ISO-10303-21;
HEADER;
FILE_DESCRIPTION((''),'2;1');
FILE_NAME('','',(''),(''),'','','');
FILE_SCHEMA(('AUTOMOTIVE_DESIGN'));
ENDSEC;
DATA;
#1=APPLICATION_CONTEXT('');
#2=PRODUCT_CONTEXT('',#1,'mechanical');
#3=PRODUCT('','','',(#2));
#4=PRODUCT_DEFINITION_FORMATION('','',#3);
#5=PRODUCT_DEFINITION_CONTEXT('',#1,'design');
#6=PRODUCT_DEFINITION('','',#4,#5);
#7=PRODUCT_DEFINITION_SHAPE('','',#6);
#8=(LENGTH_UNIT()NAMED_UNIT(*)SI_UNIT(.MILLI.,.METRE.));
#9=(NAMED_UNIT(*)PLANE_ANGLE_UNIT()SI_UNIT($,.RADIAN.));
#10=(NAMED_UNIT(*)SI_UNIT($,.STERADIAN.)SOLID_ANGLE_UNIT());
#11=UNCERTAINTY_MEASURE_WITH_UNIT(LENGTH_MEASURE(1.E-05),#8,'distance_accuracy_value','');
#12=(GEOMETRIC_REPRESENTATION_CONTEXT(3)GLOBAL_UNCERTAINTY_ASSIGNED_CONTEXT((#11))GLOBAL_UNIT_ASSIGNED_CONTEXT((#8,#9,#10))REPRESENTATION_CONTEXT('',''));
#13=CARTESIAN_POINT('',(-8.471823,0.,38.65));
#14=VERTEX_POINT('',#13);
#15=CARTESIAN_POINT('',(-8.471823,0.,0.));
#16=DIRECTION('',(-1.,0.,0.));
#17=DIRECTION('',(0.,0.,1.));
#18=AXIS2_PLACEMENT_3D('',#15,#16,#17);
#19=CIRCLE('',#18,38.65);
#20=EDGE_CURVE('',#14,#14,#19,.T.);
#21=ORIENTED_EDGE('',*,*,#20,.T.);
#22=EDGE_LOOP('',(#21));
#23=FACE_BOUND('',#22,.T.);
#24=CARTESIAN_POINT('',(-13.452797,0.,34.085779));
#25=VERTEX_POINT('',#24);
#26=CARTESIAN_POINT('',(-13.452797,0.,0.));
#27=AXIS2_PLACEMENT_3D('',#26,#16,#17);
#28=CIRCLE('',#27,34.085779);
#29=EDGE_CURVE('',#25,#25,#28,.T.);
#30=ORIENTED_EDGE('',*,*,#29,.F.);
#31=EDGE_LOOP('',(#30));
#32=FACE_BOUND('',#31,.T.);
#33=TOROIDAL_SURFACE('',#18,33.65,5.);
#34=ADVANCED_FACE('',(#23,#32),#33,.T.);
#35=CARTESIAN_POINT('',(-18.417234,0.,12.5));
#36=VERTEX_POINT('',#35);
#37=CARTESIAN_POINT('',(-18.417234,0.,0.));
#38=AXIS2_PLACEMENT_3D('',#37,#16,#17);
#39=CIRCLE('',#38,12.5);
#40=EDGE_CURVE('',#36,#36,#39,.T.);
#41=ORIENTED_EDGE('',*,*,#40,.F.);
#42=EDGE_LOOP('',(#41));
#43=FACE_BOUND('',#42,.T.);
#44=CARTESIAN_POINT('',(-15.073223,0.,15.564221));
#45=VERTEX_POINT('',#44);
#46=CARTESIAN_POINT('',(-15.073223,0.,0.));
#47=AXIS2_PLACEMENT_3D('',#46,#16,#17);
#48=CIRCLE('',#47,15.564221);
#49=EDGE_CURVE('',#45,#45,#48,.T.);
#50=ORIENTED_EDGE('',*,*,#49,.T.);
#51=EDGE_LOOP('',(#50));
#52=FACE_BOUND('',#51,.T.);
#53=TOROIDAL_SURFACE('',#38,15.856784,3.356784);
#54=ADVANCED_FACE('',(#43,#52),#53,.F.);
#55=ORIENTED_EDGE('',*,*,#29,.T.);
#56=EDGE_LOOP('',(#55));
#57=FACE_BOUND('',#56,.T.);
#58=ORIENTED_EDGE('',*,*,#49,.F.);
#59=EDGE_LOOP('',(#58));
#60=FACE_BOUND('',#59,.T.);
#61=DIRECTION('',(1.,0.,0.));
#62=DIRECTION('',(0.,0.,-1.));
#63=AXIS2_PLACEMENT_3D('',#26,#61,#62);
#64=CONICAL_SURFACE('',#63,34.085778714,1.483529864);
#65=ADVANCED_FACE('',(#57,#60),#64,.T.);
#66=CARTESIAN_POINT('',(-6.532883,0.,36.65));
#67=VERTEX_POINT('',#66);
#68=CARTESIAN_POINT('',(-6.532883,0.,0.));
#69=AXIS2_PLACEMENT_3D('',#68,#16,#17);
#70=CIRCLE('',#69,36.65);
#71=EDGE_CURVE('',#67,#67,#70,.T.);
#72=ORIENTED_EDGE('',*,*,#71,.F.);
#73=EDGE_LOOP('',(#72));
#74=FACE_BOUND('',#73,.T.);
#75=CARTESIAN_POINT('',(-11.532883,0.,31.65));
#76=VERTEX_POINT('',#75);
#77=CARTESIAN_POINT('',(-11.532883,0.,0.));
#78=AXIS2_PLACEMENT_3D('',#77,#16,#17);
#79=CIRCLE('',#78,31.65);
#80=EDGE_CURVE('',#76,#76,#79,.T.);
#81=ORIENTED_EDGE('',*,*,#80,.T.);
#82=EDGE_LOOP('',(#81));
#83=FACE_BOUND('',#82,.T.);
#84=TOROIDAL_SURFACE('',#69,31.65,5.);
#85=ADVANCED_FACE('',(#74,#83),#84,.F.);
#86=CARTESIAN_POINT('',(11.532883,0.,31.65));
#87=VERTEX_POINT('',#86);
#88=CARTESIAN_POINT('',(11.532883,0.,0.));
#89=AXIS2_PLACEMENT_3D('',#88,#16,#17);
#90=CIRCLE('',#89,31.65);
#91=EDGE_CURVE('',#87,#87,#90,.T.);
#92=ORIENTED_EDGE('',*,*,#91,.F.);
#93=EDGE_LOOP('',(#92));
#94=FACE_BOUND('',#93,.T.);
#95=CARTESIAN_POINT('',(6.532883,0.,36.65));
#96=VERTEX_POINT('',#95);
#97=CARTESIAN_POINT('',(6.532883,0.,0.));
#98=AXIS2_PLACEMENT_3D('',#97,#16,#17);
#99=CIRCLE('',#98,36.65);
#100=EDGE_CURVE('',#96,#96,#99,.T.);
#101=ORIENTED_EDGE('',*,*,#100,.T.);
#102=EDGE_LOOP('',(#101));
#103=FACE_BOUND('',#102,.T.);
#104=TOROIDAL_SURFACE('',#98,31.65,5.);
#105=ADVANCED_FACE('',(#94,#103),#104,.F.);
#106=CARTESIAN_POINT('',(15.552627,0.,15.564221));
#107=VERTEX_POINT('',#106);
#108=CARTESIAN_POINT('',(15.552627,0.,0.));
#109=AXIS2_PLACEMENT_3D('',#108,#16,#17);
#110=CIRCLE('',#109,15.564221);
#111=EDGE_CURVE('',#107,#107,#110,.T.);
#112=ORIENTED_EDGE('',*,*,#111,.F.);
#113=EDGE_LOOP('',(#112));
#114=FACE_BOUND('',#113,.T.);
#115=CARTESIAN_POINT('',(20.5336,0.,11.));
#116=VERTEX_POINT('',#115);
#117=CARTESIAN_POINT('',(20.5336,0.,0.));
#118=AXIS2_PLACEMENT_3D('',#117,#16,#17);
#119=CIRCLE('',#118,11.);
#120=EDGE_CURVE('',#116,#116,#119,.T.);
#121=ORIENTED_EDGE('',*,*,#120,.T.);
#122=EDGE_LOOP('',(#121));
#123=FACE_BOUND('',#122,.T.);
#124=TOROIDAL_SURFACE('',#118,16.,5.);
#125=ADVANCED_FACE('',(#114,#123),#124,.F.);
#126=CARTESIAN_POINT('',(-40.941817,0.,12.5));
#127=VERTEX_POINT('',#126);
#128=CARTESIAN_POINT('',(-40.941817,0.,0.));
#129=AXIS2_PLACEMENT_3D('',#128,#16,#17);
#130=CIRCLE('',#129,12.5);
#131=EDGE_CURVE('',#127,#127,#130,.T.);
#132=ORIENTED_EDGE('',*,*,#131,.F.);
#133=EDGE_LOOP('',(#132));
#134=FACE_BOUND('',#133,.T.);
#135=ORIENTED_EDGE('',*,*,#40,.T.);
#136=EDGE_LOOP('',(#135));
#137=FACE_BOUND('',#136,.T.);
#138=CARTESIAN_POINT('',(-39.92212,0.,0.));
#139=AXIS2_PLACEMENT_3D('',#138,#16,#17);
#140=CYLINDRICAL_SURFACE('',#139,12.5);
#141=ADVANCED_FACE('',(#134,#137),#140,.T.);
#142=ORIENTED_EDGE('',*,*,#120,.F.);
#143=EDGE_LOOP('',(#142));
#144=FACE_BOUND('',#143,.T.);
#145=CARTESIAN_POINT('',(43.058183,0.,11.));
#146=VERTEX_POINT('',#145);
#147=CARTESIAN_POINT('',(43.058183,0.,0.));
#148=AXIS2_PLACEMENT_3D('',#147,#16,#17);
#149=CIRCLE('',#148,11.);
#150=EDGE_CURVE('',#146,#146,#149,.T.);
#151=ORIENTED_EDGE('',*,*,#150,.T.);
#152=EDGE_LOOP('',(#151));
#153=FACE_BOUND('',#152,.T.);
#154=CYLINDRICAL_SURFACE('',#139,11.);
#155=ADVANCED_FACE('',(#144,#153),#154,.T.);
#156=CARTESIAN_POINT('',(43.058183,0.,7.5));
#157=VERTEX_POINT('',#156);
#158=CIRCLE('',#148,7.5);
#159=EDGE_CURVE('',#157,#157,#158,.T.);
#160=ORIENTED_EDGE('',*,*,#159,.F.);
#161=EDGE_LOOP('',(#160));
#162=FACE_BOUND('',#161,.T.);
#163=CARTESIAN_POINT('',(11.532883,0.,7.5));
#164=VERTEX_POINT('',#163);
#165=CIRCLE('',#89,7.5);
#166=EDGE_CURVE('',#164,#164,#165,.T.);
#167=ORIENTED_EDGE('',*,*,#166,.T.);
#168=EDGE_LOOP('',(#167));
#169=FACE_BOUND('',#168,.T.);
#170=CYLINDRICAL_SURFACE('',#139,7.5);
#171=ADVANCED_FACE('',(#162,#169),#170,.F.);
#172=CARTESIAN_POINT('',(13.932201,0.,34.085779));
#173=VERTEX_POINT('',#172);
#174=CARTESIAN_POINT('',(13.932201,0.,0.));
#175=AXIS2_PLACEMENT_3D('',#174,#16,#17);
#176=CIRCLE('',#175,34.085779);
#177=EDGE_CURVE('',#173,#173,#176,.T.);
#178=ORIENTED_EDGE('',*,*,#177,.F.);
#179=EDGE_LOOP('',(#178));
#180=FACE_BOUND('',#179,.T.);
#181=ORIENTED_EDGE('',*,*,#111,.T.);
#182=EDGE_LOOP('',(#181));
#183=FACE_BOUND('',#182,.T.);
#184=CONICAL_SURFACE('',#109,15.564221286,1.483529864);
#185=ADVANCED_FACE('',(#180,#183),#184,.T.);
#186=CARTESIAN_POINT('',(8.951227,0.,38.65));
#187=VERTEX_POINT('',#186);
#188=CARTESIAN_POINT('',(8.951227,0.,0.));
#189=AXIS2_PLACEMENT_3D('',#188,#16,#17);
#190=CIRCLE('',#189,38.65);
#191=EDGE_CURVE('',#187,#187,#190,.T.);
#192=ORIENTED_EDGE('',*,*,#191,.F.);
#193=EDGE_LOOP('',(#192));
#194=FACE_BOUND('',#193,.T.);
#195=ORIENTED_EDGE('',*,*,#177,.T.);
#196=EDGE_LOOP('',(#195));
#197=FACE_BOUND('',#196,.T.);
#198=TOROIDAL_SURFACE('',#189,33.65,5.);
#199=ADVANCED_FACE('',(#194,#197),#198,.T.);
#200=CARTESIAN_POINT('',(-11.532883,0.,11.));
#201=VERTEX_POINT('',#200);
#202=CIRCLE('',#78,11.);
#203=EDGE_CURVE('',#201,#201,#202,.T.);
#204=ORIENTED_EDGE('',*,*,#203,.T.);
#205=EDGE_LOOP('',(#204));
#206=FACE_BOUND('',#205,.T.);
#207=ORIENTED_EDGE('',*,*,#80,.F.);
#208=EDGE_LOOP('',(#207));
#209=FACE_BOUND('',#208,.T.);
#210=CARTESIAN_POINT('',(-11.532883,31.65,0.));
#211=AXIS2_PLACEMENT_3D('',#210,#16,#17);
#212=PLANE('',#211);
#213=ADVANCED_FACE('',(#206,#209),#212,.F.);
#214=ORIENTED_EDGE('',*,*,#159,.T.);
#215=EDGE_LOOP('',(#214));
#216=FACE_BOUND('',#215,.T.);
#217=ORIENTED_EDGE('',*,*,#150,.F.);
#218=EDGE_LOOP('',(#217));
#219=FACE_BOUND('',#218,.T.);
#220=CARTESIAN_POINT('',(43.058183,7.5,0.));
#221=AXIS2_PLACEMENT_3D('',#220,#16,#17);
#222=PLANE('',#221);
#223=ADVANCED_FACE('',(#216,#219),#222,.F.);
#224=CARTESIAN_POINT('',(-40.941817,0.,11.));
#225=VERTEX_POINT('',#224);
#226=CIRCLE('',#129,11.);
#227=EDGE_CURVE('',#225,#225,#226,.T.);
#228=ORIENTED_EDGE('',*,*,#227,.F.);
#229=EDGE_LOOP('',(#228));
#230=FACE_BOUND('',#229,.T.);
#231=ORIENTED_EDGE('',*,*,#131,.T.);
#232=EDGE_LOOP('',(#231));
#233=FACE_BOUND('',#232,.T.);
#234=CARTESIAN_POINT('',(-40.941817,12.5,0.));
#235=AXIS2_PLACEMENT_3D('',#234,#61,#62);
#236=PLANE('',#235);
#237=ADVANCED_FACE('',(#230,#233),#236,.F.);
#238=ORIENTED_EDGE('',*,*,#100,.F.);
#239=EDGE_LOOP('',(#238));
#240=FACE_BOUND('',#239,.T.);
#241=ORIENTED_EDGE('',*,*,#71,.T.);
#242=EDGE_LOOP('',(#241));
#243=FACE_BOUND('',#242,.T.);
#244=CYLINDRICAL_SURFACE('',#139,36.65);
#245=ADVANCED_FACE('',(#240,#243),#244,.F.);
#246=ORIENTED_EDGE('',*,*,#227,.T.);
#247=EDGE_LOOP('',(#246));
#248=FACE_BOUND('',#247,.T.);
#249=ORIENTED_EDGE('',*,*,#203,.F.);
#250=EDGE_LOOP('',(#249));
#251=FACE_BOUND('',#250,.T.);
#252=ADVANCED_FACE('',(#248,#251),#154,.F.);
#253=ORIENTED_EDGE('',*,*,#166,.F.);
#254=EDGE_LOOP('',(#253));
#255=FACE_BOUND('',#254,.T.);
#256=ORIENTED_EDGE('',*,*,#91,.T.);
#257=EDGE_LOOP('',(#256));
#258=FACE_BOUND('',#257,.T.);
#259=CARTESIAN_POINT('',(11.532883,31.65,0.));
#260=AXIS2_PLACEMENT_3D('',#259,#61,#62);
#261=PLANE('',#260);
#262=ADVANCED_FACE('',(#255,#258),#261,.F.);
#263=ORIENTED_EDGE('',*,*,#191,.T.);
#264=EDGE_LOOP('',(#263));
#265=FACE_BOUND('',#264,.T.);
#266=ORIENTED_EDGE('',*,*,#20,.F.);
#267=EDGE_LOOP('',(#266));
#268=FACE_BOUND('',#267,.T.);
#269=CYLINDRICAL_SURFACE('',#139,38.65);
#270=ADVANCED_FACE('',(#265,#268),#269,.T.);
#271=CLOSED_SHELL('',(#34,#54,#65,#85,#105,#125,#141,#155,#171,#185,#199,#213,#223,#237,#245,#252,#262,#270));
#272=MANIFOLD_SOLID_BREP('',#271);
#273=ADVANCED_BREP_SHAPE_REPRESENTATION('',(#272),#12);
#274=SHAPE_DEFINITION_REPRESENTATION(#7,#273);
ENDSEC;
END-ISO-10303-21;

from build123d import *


with BuildPart() as part:
    # Sketch1 → Revolve1 (revolve)
    with BuildSketch(Plane.XY):
        with BuildLine():
            Line((-6.532882959, 36.65), (6.532882959, 36.65))
            ThreePointArc((6.532882959, 36.65), (10.068416865, 35.185533906), (11.532882959, 31.65))
            Line((11.532882959, 31.65), (11.532882959, 7.5))
            Line((11.532882959, 7.5), (43.058183225, 7.5))
            Line((43.058183225, 7.5), (43.058183225, 11))
            Line((43.058183225, 11), (20.533600376, 11))
            ThreePointArc((20.533600376, 11), (17.155649337, 12.313613316), (15.552626885, 15.564221286))
            Line((15.552626885, 15.564221286), (13.932200579, 34.085778714))
            ThreePointArc((13.932200579, 34.085778714), (12.329178127, 37.336386684), (8.951227089, 38.65))
            Line((8.951227089, 38.65), (-8.47182339, 38.65))
            ThreePointArc((-8.47182339, 38.65), (-11.849774428, 37.336386684), (-13.452796881, 34.085778714))
            Line((-13.452796881, 34.085778714), (-15.073223186, 15.564221286))
            ThreePointArc((-15.073223186, 15.564221286), (-16.149423312, 13.381903315), (-18.417233925, 12.5))
            Line((-18.417233925, 12.5), (-40.941816775, 12.5))
            Line((-40.941816775, 12.5), (-40.941816775, 11))
            Line((-40.941816775, 11), (-20.990298017, 11))
            Line((-20.990298017, 11), (-11.532882959, 11))
            Line((-11.532882959, 11), (-11.532882959, 31.65))
            ThreePointArc((-11.532882959, 31.65), (-10.068416865, 35.185533906), (-6.532882959, 36.65))
        make_face()
    revolve(axis=Axis((-39.922119965, 0, 0), (1, 0, 0)))


solid = part.part
